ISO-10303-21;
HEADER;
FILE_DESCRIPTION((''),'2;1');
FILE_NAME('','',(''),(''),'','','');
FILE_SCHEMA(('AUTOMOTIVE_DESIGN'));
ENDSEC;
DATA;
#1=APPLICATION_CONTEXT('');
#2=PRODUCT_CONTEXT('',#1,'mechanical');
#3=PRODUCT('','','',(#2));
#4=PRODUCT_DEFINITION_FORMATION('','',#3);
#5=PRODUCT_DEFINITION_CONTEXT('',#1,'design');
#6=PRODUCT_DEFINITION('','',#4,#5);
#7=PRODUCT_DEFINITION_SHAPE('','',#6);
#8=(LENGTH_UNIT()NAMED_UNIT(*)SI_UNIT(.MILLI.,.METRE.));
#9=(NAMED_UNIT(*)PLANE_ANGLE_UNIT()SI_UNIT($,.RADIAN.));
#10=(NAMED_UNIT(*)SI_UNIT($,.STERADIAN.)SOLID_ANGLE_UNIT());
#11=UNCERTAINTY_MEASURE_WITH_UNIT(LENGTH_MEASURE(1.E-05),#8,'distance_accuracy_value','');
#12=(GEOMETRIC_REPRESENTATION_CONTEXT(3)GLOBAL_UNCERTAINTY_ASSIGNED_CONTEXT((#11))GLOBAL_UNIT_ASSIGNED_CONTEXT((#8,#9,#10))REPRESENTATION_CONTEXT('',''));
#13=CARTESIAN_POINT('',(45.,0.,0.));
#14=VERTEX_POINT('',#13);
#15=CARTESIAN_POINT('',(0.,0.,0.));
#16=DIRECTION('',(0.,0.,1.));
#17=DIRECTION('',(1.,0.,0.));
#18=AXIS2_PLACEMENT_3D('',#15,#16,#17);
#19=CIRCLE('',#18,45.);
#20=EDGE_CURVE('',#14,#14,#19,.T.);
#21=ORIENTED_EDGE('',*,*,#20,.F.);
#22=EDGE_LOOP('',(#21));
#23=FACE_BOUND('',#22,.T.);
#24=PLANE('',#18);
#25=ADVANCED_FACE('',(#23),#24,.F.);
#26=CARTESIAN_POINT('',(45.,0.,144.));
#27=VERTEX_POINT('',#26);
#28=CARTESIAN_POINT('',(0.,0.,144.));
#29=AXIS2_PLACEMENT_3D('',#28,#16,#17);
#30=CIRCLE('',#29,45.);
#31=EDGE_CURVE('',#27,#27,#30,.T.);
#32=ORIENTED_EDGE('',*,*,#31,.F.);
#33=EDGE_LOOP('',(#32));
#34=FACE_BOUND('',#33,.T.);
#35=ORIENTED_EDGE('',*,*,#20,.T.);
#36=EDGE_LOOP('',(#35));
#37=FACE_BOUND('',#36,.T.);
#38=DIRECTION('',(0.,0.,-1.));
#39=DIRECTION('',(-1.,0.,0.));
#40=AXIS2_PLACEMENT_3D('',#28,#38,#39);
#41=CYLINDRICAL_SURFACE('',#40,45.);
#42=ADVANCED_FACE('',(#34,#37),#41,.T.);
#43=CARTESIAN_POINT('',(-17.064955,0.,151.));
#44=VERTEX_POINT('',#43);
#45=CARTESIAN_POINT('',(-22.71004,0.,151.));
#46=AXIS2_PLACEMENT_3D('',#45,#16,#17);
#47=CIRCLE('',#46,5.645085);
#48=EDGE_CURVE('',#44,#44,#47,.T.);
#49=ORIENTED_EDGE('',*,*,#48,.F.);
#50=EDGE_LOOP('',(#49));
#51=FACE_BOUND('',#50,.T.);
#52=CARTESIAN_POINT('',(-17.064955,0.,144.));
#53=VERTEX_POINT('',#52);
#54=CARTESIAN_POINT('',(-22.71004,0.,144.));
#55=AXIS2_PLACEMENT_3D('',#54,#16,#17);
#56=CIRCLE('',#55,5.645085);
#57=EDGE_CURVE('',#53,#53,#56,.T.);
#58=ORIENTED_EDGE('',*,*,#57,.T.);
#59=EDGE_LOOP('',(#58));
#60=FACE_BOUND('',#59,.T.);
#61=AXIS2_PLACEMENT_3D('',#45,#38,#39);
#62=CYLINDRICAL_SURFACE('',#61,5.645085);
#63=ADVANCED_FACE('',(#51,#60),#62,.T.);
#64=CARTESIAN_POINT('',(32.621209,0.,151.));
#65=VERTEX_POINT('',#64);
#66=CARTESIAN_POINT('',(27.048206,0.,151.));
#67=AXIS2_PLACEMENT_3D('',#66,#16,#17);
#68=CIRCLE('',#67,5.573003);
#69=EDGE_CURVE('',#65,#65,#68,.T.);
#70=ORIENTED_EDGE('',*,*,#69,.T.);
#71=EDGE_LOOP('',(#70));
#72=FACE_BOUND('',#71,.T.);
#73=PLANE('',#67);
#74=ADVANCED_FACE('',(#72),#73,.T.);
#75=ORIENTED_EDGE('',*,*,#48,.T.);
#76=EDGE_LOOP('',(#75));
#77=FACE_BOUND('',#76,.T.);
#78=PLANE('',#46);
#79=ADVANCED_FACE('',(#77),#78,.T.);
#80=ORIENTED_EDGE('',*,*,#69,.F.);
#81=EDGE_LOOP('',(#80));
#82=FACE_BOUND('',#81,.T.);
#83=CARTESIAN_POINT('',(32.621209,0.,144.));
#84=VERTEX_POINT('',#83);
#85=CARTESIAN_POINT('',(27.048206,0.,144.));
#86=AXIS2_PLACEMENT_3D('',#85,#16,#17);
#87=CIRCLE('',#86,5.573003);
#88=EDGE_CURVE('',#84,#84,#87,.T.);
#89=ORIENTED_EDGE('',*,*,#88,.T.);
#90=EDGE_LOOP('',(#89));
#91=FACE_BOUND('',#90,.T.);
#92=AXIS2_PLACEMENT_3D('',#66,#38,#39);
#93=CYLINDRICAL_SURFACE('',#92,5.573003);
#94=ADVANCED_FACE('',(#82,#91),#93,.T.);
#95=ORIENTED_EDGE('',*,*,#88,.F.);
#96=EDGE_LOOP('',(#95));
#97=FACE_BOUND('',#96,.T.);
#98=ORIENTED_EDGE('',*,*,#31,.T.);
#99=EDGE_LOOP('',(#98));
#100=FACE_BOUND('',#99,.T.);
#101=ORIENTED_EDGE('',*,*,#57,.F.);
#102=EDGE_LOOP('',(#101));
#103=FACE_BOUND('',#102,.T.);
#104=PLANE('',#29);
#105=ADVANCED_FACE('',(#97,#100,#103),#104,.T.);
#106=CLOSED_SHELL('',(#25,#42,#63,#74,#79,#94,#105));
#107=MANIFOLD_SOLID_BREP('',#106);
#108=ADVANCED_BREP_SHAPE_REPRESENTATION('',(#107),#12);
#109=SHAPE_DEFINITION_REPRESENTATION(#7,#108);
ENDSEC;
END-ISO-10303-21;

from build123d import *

# Parameters (mm, degrees)
SKETCH1_R           = 45
BOSS_EXTRUDE1_DEPTH = 144
SKETCH2_R           = 5.645084992
SKETCH2_R_2         = 5.573002613
BOSS_EXTRUDE2_DEPTH = 7


with BuildPart() as part:
    # Sketch1 → Boss-Extrude1 (new body)
    with BuildSketch(Plane.XY):
        Circle(SKETCH1_R)
    extrude(amount=BOSS_EXTRUDE1_DEPTH)

    # Sketch2 → Boss-Extrude2 (add)
    with BuildSketch(Plane.XY.offset(144)):
        with Locations((-22.710039741, 0)):
            Circle(SKETCH2_R)
        with Locations((27.048206136, 0)):
            Circle(SKETCH2_R_2)
    extrude(amount=BOSS_EXTRUDE2_DEPTH)


solid = part.part
